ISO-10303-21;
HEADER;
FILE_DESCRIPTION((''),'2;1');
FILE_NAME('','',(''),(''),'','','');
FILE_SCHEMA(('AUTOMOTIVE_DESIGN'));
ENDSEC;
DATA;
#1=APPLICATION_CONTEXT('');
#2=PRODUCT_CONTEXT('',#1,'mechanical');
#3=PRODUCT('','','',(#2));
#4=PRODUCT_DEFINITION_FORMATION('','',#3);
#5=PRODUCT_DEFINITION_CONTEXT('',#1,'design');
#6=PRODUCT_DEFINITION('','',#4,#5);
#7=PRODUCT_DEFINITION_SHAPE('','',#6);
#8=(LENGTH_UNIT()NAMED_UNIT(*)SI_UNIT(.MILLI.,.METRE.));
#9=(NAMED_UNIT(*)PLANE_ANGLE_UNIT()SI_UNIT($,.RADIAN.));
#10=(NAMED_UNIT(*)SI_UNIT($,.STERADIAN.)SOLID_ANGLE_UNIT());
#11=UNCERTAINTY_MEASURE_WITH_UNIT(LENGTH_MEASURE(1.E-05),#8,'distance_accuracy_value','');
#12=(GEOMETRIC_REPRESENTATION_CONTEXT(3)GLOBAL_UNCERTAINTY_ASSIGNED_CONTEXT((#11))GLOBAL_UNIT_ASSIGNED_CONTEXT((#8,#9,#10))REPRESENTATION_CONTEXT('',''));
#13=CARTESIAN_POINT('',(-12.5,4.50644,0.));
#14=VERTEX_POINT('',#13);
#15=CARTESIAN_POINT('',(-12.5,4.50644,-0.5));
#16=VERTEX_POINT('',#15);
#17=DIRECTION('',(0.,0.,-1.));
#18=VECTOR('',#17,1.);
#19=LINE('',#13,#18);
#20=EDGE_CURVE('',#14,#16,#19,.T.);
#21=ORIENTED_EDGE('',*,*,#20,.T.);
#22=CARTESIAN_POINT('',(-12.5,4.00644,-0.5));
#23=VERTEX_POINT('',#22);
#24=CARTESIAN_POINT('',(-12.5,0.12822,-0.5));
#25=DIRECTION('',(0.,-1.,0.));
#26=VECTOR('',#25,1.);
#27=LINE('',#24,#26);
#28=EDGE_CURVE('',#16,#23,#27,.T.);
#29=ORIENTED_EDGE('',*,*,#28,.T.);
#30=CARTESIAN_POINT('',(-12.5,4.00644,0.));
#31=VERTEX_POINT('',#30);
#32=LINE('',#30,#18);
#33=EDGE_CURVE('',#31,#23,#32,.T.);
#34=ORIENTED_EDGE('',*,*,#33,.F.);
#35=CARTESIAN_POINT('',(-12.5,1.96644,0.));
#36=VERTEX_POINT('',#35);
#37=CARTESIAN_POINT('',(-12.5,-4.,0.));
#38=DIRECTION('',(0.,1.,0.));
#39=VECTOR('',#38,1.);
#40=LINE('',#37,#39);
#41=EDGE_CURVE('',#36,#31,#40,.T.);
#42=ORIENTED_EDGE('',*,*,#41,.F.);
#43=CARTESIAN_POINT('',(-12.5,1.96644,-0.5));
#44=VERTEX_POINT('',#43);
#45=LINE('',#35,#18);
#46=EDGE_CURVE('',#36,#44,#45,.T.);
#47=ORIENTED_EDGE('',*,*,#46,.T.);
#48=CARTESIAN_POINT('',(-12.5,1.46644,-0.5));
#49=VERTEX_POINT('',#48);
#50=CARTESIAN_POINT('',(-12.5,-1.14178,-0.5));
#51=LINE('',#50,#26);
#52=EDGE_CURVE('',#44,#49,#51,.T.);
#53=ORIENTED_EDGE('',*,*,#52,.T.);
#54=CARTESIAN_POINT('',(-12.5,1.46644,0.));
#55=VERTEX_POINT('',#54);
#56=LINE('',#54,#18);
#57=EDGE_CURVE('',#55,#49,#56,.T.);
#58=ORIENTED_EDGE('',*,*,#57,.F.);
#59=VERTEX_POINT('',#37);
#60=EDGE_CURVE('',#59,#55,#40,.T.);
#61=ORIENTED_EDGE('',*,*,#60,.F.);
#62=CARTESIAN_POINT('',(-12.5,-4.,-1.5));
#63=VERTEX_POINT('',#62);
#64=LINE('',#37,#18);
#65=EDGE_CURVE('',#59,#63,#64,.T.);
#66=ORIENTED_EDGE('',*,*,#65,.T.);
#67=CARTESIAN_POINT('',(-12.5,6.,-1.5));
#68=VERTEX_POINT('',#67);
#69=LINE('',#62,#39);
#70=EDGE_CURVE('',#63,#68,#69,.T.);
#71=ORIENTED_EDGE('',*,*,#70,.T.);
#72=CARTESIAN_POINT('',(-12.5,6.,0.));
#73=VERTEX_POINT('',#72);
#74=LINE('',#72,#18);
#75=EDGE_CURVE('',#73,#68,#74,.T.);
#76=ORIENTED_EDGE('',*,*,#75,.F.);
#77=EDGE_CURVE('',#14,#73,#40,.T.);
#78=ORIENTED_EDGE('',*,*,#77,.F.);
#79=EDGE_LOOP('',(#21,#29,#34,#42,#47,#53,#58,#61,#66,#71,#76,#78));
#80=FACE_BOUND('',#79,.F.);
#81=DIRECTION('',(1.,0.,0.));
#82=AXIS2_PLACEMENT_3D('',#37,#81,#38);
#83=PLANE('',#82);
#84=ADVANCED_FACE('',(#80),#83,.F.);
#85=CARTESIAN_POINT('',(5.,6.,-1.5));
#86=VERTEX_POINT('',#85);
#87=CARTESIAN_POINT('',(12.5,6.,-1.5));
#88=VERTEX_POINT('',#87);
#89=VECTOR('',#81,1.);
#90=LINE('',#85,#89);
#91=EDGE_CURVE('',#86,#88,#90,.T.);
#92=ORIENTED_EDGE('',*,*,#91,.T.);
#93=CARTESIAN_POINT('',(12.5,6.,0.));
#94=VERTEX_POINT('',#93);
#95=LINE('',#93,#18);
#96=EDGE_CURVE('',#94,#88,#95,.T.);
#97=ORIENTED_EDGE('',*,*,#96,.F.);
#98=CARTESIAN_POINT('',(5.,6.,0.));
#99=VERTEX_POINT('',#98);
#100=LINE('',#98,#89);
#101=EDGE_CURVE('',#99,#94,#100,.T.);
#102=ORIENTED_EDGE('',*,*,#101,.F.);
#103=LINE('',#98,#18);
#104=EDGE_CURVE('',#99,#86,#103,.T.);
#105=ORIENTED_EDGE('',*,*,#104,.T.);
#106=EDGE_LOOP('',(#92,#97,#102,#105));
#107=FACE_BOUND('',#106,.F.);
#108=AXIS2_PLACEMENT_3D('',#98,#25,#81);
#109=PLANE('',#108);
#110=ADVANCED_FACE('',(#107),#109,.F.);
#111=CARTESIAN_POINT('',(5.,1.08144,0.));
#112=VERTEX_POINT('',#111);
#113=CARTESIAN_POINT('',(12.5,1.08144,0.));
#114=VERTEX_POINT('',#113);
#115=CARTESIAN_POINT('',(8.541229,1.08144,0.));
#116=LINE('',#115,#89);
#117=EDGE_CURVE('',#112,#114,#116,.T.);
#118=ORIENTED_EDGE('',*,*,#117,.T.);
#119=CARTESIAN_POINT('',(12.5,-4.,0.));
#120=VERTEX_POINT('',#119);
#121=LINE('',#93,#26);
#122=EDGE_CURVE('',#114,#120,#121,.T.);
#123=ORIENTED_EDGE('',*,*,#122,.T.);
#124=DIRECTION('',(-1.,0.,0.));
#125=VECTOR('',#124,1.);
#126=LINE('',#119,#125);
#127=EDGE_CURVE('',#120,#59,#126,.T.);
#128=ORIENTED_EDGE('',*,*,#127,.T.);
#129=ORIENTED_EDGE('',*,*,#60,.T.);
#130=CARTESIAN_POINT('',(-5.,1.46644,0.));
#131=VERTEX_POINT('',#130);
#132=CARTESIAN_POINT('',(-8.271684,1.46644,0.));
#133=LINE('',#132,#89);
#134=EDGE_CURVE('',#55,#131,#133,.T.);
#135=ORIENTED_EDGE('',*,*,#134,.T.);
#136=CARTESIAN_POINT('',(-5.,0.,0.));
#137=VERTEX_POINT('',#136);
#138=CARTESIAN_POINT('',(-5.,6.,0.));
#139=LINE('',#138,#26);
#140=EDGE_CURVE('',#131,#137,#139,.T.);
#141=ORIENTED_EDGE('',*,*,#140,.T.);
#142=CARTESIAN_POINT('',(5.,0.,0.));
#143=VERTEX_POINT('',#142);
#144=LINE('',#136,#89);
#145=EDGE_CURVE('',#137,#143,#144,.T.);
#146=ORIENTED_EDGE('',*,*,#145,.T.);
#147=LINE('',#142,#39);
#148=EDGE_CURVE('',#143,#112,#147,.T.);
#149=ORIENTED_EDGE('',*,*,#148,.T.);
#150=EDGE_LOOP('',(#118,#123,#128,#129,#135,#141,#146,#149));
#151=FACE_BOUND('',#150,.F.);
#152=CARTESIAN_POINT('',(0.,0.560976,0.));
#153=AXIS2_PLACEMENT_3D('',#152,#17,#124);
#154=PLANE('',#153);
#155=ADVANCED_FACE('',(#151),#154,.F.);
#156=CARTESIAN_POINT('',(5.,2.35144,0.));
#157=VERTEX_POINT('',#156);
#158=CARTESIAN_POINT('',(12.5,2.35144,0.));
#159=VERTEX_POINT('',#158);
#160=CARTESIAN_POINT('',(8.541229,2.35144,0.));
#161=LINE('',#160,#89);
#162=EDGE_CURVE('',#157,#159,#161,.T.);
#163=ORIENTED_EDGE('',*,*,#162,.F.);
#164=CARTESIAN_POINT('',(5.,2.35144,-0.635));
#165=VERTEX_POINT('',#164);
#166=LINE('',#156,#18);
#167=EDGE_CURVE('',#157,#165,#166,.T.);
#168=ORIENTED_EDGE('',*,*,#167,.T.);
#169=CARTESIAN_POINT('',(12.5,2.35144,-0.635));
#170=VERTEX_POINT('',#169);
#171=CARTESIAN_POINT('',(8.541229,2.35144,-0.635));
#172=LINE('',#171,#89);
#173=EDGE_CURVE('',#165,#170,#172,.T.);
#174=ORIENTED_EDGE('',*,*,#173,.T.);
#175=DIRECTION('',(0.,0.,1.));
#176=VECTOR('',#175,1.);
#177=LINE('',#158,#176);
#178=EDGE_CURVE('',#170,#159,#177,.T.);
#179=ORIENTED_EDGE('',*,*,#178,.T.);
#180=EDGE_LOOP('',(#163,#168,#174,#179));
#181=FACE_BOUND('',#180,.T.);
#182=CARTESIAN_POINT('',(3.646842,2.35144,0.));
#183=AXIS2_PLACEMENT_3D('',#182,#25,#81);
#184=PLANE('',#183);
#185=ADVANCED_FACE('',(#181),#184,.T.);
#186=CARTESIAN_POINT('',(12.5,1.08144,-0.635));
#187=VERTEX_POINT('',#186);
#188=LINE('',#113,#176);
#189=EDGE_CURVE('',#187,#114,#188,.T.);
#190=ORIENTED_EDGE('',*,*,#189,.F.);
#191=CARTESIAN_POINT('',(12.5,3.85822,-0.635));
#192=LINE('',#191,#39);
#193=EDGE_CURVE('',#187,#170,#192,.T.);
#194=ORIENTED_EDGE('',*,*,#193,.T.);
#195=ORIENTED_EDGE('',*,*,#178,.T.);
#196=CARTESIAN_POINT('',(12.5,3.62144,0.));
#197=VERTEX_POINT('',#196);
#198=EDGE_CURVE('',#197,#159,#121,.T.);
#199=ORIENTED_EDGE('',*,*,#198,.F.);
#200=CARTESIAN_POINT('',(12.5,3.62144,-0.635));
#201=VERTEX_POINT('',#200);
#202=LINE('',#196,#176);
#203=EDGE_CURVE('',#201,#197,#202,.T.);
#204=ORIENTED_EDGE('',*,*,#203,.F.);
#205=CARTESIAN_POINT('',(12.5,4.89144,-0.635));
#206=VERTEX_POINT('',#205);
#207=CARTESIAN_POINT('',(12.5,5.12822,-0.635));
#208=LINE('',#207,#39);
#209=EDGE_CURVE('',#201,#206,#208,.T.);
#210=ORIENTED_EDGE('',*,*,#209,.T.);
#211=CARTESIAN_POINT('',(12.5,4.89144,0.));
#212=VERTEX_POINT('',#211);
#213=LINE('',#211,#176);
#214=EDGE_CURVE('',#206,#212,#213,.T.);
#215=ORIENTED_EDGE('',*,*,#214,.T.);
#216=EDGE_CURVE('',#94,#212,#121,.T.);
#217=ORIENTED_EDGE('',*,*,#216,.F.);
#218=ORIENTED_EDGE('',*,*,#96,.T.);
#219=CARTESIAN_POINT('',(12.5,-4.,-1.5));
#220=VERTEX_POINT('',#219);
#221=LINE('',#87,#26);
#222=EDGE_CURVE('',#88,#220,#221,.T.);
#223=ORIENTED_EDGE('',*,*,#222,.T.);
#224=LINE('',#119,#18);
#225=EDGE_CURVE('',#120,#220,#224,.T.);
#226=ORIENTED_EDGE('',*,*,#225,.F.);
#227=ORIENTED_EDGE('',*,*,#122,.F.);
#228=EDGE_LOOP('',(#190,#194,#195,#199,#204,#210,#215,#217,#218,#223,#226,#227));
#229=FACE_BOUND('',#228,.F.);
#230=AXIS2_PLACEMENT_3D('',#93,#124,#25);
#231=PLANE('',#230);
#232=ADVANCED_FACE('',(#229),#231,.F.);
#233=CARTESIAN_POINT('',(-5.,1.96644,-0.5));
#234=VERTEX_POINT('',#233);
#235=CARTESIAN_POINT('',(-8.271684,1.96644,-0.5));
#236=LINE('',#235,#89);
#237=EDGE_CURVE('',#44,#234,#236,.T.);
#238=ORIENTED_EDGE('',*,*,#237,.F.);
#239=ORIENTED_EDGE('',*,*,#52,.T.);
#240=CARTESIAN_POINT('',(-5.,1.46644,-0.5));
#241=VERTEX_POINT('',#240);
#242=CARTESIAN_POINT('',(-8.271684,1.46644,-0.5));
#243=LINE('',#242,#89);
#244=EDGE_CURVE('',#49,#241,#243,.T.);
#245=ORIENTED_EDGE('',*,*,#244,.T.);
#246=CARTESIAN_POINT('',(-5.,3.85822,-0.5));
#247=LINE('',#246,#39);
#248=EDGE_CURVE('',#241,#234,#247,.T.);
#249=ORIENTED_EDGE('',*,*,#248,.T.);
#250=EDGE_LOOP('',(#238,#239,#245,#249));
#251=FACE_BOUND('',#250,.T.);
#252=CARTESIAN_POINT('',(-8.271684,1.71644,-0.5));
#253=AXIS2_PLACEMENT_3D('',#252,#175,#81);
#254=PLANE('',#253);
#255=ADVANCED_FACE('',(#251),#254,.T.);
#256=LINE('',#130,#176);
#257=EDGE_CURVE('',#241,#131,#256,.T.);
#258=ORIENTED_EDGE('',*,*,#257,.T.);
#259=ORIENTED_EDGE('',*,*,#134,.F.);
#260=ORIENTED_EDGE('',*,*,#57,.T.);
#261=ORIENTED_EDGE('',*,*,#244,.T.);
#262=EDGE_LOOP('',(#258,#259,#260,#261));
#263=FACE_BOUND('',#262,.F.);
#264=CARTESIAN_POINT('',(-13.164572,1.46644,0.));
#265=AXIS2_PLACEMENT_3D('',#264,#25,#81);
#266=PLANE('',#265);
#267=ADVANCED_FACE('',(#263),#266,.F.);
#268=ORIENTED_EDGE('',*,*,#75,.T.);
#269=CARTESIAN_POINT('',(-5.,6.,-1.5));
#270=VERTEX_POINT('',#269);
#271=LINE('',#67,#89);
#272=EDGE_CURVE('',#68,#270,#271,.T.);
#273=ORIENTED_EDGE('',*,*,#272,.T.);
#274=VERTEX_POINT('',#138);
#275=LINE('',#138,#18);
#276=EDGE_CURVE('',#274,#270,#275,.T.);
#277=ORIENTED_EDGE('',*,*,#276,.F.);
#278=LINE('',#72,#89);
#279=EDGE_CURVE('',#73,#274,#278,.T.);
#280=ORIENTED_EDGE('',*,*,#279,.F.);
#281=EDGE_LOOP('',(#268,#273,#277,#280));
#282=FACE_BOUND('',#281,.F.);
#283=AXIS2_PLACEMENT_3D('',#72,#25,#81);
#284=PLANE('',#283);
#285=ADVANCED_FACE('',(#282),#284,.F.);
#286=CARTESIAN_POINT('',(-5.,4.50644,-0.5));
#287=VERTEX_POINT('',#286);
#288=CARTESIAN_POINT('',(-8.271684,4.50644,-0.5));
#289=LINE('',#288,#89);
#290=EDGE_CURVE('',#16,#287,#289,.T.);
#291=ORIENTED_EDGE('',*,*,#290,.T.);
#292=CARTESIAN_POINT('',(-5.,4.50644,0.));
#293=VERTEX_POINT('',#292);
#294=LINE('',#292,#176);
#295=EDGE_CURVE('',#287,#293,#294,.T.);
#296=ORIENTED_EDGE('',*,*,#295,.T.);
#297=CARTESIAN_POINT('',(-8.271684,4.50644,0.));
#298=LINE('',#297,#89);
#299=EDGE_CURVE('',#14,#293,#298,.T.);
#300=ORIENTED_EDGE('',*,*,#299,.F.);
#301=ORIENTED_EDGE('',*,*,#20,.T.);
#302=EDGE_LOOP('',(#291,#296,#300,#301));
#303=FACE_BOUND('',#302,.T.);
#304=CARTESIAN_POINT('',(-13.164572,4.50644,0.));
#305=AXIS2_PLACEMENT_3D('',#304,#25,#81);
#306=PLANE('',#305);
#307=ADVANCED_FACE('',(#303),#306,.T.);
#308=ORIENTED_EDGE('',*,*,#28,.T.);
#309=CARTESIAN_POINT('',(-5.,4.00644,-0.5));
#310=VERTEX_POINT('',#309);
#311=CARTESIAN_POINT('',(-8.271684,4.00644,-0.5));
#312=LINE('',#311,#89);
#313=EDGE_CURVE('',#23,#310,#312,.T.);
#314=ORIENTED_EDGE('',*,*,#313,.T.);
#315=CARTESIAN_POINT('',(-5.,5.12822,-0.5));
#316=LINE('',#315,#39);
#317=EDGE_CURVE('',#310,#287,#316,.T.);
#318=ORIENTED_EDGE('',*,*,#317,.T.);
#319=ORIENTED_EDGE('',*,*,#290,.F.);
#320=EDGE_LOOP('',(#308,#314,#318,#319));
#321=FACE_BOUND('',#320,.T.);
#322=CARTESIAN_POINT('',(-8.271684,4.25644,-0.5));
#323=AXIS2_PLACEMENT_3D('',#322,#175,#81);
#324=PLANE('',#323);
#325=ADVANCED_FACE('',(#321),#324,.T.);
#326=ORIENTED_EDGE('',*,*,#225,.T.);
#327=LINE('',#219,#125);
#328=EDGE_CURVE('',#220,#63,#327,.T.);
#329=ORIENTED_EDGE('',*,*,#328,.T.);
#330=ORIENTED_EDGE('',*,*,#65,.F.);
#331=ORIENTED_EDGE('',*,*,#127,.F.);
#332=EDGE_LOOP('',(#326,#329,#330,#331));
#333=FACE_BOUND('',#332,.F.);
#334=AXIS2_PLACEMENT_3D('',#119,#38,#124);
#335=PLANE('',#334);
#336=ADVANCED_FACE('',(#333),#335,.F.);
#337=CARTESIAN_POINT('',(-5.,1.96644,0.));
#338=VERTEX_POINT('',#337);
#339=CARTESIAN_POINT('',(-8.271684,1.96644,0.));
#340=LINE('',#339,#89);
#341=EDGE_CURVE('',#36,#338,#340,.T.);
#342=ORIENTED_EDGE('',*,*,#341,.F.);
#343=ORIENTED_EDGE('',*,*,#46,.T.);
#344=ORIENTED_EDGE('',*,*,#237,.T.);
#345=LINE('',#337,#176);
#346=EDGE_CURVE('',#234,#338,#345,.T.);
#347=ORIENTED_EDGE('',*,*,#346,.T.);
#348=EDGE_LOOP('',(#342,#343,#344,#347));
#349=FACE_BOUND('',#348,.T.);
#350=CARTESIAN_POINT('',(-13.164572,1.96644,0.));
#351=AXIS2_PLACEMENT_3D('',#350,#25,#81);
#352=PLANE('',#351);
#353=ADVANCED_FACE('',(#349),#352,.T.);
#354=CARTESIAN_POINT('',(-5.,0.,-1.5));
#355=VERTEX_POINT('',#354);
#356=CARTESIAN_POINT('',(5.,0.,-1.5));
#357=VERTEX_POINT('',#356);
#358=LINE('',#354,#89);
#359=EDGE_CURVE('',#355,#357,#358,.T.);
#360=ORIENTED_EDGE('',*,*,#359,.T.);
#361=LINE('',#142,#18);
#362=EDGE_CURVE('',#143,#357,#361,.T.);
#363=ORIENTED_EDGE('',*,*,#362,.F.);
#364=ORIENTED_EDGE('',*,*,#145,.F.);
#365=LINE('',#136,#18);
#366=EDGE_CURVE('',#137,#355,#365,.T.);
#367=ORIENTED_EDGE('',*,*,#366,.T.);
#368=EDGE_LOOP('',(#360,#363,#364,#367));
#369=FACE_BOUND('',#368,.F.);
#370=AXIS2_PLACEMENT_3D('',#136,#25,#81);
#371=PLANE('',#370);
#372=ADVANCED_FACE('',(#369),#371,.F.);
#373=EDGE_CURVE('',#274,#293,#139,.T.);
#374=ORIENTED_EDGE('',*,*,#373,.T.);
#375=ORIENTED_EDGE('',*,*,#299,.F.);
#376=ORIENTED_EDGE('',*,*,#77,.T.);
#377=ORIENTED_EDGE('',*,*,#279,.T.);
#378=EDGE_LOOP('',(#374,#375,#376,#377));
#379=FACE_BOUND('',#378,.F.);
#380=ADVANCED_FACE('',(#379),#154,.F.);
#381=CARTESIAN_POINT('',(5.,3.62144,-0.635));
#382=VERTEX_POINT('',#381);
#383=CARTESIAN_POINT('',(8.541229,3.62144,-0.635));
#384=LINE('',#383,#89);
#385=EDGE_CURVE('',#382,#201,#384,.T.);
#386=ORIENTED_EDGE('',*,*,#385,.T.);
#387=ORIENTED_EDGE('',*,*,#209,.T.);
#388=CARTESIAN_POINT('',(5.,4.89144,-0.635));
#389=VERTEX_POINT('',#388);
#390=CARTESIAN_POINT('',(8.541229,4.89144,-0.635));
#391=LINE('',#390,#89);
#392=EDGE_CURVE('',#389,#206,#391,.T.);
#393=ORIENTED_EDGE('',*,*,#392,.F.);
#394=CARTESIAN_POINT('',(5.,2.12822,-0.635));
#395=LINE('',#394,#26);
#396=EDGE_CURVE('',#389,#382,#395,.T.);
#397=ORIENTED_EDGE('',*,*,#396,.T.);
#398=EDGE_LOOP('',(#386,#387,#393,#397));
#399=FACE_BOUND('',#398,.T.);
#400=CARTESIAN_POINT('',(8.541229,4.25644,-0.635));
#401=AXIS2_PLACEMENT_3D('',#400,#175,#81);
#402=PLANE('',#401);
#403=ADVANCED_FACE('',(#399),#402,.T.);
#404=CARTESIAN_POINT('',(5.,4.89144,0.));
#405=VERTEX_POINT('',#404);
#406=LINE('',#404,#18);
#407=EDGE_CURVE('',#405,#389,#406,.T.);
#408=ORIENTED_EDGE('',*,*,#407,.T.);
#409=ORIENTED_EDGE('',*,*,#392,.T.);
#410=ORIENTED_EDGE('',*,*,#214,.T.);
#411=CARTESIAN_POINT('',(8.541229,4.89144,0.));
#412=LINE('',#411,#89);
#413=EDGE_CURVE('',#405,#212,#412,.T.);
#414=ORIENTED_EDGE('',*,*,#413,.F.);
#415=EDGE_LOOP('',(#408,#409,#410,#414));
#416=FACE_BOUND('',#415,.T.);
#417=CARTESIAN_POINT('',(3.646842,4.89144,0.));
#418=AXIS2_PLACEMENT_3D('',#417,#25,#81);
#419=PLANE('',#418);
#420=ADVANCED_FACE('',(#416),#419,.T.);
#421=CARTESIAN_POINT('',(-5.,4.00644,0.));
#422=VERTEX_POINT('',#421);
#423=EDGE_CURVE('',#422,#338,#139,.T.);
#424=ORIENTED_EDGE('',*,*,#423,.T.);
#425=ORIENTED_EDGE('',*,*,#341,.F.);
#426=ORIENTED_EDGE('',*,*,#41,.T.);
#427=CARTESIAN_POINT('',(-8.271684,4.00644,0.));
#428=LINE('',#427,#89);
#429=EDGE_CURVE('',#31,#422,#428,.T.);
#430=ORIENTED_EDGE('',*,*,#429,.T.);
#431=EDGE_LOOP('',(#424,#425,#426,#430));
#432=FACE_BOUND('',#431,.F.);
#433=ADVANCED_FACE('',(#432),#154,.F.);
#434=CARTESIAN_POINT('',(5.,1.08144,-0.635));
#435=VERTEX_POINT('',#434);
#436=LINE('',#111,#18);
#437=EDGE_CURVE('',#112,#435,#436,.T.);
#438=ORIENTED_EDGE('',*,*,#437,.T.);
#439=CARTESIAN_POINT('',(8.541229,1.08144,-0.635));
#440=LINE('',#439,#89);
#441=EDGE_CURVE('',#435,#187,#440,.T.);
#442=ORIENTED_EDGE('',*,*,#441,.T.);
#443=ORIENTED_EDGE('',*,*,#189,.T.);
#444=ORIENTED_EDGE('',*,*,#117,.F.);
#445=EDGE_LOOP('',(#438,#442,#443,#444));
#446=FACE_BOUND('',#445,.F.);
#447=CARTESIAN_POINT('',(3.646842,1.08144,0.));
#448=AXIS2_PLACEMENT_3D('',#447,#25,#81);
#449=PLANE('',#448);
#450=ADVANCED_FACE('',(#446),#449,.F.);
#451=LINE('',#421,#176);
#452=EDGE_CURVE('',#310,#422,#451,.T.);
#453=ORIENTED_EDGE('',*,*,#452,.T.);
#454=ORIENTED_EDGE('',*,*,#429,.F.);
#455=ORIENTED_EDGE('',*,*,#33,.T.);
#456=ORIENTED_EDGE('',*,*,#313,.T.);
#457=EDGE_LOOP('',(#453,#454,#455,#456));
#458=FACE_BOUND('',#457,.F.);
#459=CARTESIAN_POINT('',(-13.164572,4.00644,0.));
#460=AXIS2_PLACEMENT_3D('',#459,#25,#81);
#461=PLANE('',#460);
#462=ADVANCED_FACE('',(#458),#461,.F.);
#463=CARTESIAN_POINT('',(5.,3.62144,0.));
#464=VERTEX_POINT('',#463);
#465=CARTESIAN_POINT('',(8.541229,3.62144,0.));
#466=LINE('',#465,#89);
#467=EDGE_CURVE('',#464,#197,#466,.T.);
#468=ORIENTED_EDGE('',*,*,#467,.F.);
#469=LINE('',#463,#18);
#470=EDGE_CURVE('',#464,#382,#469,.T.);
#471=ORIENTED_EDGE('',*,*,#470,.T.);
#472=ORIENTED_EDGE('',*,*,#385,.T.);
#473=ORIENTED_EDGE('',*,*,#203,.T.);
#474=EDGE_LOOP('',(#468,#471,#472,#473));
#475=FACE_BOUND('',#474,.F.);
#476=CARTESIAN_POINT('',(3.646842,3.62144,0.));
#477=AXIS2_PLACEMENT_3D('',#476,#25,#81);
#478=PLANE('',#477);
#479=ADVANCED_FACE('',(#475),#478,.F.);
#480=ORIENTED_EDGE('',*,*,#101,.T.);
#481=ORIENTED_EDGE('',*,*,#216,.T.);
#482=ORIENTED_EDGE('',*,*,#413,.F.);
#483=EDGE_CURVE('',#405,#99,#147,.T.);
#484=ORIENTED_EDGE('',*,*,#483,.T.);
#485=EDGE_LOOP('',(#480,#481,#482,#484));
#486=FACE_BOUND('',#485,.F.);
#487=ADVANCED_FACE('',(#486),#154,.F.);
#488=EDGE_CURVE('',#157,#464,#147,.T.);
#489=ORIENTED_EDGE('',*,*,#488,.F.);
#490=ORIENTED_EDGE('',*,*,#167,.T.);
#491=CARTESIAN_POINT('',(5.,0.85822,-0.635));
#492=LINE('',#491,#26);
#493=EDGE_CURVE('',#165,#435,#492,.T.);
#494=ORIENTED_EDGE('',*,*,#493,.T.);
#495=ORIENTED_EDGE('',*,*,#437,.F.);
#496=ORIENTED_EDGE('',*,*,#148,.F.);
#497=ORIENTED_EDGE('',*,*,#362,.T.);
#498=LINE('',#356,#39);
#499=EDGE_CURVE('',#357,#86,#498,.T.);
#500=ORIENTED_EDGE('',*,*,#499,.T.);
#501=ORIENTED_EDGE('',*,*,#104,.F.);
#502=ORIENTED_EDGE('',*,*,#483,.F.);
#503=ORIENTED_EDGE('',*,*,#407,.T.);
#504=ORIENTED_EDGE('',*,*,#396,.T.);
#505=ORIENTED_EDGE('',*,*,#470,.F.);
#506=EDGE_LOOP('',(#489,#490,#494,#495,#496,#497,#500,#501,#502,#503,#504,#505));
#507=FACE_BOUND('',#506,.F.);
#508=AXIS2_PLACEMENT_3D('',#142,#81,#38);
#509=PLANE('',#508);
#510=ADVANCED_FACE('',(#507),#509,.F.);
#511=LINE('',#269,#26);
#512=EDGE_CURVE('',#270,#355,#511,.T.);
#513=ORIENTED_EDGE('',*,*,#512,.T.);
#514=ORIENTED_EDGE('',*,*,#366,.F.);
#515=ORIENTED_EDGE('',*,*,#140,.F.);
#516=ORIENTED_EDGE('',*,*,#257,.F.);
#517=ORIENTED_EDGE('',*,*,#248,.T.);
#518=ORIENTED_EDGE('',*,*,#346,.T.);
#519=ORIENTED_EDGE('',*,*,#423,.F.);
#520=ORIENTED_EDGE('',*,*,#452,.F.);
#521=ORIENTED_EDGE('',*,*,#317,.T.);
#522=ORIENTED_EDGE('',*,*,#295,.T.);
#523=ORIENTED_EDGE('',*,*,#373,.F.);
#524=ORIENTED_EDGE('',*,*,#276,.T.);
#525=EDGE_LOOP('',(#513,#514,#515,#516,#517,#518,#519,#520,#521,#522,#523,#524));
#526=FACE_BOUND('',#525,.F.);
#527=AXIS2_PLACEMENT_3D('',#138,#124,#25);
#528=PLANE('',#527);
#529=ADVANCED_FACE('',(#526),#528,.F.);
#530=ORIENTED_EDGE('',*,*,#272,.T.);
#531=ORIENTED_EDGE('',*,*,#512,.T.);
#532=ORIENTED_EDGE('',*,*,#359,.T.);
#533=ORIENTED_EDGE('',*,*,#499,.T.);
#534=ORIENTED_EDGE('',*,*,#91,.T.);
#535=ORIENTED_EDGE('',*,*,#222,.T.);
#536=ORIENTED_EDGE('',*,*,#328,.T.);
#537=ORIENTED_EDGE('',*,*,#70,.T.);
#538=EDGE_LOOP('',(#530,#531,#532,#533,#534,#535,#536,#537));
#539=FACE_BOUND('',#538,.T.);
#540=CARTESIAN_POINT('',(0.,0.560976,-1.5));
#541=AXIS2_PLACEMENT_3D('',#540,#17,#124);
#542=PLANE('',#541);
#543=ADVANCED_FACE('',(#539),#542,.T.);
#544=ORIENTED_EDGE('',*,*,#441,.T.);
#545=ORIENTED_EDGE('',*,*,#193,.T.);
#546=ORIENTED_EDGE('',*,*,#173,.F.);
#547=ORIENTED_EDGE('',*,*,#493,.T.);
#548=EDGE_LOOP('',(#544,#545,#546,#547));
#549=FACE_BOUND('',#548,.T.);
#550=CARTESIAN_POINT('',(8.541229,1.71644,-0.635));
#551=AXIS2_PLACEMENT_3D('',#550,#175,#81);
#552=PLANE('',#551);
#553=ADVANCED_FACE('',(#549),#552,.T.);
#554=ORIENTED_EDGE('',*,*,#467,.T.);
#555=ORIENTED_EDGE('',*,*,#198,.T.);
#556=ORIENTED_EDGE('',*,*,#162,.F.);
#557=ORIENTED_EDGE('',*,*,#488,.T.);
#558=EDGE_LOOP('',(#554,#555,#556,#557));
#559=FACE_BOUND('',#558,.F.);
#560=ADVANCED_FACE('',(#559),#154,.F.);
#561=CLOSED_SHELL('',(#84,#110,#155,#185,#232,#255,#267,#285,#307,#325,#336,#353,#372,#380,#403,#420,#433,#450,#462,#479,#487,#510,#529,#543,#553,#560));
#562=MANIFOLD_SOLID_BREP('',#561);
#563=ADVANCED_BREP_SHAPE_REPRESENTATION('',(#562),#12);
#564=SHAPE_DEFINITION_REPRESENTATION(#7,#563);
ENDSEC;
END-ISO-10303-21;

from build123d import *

# Parameters (mm, degrees)
PAD_DEPTH       = 1.5
SKETCH002_W     = 9.788774
SKETCH002_H     = 1.27
POCKET001_DEPTH = 0.635
SKETCH001_W     = 9.785776
SKETCH001_H     = 0.5
POCKET_DEPTH    = 0.5


with BuildPart() as part:
    # Sketch → Pad (new body)
    with BuildSketch(Plane.XY):
        Polygon((-12.5, 6), (-5, 6), (-5, 0), (5, 0), (5, 6), (12.5, 6), (12.5, -4), (-12.5, -4), align=None)
    extrude(amount=-PAD_DEPTH)

    # Sketch002 → Pocket001 (cut)
    with BuildSketch(Plane.XY):
        with Locations((8.541229, 4.25644)):
            Rectangle(SKETCH002_W, SKETCH002_H)
        with Locations((8.541229, 1.71644)):
            Rectangle(SKETCH002_W, SKETCH002_H)
    extrude(amount=-POCKET001_DEPTH, mode=Mode.SUBTRACT)

    # Sketch001 → Pocket (cut)
    with BuildSketch(Plane.XY):
        with Locations((-8.271684, 4.25644)):
            Rectangle(SKETCH001_W, SKETCH001_H)
        with Locations((-8.271684, 1.71644)):
            Rectangle(SKETCH001_W, SKETCH001_H)
    extrude(amount=-POCKET_DEPTH, mode=Mode.SUBTRACT)


solid = part.part
